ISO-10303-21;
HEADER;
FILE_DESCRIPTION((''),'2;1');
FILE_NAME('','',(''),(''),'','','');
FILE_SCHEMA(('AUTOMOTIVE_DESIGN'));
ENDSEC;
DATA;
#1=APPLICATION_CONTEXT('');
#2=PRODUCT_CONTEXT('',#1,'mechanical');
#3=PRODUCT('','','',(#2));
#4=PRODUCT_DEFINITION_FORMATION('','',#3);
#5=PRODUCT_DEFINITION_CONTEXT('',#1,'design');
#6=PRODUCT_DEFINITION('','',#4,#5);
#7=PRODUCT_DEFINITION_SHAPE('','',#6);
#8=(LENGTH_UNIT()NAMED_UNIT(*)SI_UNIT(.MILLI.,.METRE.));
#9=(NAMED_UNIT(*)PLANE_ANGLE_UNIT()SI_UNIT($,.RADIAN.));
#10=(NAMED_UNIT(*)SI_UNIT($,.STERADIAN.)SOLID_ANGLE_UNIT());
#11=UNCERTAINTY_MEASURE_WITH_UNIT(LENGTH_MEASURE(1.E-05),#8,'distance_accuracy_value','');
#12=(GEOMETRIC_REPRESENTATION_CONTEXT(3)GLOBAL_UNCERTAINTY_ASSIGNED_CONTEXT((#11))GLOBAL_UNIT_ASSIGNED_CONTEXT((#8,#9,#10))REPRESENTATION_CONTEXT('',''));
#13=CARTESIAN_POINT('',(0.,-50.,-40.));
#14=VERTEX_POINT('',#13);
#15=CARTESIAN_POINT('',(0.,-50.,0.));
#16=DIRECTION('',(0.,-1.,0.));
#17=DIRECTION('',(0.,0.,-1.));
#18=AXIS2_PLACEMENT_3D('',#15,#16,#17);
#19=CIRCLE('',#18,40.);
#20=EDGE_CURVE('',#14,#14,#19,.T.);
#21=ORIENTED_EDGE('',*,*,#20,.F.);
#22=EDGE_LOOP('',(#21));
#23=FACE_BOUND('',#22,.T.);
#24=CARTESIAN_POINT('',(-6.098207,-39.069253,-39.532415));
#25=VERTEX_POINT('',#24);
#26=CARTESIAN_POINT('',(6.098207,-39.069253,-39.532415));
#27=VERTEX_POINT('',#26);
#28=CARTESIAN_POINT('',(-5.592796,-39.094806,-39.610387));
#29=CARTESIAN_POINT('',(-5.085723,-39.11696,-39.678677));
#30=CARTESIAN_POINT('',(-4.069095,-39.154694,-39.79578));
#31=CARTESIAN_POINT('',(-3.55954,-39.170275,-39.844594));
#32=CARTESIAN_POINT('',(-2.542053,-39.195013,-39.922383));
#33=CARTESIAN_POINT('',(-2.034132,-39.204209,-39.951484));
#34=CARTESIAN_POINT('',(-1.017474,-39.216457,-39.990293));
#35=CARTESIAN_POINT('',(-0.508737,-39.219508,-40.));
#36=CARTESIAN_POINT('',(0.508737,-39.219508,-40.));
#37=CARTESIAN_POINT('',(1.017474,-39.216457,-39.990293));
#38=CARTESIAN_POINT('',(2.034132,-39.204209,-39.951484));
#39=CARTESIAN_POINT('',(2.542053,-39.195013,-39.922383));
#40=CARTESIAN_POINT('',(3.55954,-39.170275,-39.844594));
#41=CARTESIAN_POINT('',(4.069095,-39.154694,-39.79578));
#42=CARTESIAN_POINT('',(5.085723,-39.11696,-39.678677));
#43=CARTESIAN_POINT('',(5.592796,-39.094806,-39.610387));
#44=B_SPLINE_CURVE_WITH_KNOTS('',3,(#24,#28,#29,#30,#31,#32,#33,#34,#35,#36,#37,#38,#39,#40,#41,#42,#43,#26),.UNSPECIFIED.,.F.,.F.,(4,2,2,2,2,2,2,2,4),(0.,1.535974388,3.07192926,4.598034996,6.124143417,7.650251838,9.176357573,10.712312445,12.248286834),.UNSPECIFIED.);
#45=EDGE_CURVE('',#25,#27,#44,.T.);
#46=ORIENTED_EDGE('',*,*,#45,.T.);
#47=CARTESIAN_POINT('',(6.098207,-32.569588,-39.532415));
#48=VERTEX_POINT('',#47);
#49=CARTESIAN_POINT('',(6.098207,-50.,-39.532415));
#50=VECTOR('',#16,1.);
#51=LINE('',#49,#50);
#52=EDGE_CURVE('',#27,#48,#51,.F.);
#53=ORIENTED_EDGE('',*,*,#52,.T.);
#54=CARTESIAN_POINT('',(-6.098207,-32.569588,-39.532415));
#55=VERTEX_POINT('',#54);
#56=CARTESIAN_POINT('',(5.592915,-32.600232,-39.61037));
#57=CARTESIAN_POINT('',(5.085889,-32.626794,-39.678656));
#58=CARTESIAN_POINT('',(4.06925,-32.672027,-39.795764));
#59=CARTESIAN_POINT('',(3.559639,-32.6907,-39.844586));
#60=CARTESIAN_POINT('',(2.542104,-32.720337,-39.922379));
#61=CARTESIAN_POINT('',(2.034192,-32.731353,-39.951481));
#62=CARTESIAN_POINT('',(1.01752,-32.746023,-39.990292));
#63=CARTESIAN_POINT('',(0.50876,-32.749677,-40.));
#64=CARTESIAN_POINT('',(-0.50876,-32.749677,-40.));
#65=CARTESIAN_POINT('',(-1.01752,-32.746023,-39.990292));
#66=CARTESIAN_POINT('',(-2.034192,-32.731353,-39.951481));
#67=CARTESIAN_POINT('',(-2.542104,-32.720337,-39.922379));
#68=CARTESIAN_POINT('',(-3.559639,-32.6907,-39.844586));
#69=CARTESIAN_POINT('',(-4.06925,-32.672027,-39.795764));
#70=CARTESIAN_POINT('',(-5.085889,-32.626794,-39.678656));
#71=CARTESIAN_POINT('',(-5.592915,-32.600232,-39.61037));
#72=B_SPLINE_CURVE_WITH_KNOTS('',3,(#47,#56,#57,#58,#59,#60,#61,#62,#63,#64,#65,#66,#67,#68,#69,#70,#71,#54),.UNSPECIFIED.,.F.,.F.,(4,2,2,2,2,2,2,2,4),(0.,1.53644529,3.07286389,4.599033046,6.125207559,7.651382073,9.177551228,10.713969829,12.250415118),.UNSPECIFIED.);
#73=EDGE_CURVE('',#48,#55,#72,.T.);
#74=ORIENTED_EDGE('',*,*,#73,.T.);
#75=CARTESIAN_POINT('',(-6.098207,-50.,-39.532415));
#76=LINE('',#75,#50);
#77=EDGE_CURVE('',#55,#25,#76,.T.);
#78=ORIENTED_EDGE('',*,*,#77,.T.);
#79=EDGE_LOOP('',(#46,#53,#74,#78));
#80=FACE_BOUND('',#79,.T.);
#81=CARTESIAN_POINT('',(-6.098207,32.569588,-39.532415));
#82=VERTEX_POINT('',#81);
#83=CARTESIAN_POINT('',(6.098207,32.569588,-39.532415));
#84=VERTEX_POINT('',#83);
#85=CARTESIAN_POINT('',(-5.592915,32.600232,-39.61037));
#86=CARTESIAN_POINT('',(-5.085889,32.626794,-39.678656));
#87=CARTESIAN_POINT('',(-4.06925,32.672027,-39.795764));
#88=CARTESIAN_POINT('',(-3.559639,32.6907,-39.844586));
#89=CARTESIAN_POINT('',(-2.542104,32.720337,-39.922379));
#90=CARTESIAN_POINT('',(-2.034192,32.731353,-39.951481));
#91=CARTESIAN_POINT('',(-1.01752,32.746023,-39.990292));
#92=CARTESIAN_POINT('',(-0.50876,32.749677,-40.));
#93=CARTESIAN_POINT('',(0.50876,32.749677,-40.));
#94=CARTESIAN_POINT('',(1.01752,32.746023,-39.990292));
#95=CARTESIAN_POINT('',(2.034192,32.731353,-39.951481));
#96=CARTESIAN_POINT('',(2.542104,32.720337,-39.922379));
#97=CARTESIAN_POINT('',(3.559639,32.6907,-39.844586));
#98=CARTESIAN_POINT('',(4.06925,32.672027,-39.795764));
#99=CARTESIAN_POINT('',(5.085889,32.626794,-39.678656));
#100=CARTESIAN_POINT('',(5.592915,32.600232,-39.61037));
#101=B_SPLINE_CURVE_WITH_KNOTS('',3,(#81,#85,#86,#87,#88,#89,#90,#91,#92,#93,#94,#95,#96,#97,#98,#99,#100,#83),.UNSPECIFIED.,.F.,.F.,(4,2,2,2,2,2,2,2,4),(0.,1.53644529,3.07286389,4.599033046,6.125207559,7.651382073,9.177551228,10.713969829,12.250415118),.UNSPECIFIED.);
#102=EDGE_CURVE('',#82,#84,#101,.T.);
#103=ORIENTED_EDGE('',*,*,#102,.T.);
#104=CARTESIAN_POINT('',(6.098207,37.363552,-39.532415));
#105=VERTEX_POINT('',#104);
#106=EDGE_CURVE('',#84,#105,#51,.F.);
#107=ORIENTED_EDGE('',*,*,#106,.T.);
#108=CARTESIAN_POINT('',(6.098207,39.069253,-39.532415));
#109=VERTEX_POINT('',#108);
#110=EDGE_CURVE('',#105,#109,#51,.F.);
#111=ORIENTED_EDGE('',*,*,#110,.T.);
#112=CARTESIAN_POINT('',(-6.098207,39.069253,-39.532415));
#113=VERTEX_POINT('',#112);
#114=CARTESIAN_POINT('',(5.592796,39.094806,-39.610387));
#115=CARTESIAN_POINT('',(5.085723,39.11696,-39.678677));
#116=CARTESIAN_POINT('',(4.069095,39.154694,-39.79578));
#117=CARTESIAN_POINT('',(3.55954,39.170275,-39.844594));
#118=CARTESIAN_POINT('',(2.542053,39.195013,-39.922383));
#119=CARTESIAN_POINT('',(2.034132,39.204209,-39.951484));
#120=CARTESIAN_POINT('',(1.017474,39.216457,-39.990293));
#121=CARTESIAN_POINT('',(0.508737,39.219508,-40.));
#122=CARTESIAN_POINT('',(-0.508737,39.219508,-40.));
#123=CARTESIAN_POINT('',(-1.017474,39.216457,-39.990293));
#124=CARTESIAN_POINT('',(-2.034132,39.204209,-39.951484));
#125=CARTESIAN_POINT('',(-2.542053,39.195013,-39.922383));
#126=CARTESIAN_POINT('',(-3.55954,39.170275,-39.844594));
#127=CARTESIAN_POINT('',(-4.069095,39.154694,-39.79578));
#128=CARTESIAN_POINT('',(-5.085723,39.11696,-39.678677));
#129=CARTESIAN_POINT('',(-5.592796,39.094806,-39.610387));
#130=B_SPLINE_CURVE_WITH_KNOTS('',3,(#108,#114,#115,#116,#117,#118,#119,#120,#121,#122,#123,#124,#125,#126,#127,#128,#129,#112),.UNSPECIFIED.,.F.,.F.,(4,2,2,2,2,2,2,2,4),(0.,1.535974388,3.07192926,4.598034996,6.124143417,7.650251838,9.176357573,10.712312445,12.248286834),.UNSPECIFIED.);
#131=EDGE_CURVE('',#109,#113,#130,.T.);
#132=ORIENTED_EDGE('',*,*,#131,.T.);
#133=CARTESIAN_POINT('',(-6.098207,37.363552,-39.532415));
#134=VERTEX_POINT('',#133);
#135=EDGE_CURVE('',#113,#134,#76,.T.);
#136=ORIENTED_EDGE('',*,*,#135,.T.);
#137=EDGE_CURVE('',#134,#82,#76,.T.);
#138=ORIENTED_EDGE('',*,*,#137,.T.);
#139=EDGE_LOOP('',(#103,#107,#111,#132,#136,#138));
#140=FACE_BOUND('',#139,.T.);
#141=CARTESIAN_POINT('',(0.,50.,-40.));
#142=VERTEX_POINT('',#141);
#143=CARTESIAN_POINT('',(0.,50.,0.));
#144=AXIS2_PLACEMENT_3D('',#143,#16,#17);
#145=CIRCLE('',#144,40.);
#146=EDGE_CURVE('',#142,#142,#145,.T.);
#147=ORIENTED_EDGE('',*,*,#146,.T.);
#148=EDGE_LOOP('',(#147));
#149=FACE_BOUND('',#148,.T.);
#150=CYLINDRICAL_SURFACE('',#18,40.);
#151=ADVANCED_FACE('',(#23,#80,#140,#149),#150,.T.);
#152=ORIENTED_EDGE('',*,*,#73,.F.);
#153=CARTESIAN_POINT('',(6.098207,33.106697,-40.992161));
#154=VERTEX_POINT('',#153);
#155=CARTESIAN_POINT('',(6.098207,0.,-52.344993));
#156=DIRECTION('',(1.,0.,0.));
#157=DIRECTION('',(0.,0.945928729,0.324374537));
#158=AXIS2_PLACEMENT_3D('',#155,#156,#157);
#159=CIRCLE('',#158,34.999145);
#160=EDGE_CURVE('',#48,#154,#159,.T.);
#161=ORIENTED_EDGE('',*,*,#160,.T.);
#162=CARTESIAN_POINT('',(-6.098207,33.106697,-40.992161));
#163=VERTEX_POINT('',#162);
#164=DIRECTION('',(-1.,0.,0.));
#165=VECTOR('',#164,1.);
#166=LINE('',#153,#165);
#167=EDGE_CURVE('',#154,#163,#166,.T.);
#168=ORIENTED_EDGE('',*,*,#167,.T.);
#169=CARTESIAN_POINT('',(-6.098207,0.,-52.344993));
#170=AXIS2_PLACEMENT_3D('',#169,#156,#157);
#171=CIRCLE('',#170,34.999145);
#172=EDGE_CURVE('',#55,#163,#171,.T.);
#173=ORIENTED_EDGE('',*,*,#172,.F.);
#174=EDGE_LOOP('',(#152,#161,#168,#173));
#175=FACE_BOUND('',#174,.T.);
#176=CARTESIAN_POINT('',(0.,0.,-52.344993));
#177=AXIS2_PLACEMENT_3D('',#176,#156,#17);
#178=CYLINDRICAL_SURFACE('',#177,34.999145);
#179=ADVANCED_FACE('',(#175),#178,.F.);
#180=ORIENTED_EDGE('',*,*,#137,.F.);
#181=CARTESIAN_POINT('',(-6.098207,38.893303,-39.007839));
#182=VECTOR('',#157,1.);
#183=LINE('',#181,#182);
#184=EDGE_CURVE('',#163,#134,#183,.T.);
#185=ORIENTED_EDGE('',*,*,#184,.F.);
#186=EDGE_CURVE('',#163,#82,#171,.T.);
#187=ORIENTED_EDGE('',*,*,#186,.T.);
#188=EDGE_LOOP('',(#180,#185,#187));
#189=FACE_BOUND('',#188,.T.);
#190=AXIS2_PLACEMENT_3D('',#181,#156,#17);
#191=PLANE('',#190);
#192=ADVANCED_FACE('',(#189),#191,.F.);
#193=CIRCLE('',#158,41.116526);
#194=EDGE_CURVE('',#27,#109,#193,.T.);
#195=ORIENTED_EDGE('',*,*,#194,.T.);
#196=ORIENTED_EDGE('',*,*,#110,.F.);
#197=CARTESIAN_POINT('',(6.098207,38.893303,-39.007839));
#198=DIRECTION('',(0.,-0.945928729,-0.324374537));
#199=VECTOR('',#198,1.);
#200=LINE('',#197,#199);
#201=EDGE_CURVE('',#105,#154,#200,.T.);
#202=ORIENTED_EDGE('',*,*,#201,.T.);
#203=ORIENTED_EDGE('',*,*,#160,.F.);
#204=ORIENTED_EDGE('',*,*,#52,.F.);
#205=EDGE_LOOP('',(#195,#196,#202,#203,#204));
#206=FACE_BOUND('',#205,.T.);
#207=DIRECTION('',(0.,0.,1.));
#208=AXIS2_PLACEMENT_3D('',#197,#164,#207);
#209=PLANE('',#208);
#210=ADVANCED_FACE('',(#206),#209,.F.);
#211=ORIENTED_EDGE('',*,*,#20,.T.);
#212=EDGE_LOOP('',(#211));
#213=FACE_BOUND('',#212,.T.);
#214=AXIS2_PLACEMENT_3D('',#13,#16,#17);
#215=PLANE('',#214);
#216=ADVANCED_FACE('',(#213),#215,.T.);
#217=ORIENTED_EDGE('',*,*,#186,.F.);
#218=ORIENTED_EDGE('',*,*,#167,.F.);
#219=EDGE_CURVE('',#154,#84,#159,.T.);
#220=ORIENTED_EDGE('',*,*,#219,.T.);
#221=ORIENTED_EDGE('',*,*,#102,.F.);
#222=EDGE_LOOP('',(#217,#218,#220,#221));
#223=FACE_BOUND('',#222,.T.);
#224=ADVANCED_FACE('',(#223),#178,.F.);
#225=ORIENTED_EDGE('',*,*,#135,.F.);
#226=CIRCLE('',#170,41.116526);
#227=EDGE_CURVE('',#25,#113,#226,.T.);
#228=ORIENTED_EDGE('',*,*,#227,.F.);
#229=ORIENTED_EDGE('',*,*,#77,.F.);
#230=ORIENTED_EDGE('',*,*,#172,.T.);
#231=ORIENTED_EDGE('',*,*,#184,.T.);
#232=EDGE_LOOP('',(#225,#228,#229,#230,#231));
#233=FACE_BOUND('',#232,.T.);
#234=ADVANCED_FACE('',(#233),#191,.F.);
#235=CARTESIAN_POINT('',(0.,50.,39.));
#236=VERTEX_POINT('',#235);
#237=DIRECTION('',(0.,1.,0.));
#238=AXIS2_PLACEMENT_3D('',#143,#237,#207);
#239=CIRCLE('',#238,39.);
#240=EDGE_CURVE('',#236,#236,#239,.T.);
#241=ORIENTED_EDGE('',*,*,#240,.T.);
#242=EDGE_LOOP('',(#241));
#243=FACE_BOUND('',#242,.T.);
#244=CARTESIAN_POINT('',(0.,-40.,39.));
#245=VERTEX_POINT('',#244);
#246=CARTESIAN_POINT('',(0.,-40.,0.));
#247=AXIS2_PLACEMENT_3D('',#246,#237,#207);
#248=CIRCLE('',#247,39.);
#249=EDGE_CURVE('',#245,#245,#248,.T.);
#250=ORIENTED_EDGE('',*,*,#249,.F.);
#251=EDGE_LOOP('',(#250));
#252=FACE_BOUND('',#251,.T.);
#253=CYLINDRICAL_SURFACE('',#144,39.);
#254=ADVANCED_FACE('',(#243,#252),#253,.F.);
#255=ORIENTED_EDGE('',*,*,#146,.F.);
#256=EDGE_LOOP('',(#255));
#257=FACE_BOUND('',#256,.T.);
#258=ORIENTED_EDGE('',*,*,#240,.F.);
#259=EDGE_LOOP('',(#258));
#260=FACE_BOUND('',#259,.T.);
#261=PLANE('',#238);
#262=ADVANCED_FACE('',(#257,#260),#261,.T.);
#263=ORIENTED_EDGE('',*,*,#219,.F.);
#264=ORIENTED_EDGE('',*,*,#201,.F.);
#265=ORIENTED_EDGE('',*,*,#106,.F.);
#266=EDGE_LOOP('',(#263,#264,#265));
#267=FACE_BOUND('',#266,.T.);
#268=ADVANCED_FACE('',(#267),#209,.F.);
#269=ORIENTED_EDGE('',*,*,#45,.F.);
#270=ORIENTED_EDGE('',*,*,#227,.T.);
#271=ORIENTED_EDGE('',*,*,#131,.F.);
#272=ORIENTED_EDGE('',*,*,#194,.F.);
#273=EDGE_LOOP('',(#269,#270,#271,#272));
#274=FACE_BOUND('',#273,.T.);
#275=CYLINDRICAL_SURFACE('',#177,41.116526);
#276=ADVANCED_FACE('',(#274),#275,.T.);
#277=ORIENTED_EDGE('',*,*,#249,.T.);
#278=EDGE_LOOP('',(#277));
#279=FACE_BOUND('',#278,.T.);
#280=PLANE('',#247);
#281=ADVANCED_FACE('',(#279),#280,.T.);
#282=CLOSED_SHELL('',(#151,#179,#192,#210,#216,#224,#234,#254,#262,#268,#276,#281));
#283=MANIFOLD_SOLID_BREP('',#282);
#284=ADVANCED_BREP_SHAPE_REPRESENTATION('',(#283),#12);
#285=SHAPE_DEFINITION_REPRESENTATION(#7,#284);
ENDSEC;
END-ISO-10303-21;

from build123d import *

# Parameters (mm, degrees)
SKETCH3_W               = 40
SKETCH3_H               = 100
SKETCH8_W               = 12.19641385
SKETCH8_H               = 6.117380224
SKETCH10_R              = 39
CUT_EXTRUDE1_DEPTH      = 50
CUT_EXTRUDE1_DEPTH_BACK = 40


with BuildPart() as part:
    # Sketch3 → Revolve2 (revolve)
    with BuildSketch(Plane(origin=(0, 0, 0), x_dir=(0, 0, -1), z_dir=(1, 0, 0))):
        with Locations((20, 0)):
            Rectangle(SKETCH3_W, SKETCH3_H)
    revolve(axis=Axis((0, -50, 0), (0, 1, 0)))

    # Sweep1: sweep along a path in Sketch6
    with BuildLine(Plane(origin=(0, 0, 0), x_dir=(0, 0, -1), z_dir=(1, 0, 0))) as sweep1_path:
        CenterArc((52.344992787, 0), 38.057835552, 0, 360)
    # Sketch8 → Sweep1 (sweep)
    with BuildSketch(Plane(origin=(0, 36, -40), x_dir=(-1, 0, 0), z_dir=(0, 0.324374537, -0.945928729))):
        Rectangle(SKETCH8_W, SKETCH8_H)
    sweep(path=sweep1_path.line)

    # Sketch10 → Cut-Extrude1 (cut, two sides)
    with BuildSketch(Plane(origin=(0, 0, 0), x_dir=(1, 0, 0), z_dir=(0, 1, 0))) as cut_extrude1_sk:
        Circle(SKETCH10_R)
    extrude(amount=CUT_EXTRUDE1_DEPTH, mode=Mode.SUBTRACT)
    extrude(cut_extrude1_sk.sketch, amount=-CUT_EXTRUDE1_DEPTH_BACK, mode=Mode.SUBTRACT)


solid = part.part
